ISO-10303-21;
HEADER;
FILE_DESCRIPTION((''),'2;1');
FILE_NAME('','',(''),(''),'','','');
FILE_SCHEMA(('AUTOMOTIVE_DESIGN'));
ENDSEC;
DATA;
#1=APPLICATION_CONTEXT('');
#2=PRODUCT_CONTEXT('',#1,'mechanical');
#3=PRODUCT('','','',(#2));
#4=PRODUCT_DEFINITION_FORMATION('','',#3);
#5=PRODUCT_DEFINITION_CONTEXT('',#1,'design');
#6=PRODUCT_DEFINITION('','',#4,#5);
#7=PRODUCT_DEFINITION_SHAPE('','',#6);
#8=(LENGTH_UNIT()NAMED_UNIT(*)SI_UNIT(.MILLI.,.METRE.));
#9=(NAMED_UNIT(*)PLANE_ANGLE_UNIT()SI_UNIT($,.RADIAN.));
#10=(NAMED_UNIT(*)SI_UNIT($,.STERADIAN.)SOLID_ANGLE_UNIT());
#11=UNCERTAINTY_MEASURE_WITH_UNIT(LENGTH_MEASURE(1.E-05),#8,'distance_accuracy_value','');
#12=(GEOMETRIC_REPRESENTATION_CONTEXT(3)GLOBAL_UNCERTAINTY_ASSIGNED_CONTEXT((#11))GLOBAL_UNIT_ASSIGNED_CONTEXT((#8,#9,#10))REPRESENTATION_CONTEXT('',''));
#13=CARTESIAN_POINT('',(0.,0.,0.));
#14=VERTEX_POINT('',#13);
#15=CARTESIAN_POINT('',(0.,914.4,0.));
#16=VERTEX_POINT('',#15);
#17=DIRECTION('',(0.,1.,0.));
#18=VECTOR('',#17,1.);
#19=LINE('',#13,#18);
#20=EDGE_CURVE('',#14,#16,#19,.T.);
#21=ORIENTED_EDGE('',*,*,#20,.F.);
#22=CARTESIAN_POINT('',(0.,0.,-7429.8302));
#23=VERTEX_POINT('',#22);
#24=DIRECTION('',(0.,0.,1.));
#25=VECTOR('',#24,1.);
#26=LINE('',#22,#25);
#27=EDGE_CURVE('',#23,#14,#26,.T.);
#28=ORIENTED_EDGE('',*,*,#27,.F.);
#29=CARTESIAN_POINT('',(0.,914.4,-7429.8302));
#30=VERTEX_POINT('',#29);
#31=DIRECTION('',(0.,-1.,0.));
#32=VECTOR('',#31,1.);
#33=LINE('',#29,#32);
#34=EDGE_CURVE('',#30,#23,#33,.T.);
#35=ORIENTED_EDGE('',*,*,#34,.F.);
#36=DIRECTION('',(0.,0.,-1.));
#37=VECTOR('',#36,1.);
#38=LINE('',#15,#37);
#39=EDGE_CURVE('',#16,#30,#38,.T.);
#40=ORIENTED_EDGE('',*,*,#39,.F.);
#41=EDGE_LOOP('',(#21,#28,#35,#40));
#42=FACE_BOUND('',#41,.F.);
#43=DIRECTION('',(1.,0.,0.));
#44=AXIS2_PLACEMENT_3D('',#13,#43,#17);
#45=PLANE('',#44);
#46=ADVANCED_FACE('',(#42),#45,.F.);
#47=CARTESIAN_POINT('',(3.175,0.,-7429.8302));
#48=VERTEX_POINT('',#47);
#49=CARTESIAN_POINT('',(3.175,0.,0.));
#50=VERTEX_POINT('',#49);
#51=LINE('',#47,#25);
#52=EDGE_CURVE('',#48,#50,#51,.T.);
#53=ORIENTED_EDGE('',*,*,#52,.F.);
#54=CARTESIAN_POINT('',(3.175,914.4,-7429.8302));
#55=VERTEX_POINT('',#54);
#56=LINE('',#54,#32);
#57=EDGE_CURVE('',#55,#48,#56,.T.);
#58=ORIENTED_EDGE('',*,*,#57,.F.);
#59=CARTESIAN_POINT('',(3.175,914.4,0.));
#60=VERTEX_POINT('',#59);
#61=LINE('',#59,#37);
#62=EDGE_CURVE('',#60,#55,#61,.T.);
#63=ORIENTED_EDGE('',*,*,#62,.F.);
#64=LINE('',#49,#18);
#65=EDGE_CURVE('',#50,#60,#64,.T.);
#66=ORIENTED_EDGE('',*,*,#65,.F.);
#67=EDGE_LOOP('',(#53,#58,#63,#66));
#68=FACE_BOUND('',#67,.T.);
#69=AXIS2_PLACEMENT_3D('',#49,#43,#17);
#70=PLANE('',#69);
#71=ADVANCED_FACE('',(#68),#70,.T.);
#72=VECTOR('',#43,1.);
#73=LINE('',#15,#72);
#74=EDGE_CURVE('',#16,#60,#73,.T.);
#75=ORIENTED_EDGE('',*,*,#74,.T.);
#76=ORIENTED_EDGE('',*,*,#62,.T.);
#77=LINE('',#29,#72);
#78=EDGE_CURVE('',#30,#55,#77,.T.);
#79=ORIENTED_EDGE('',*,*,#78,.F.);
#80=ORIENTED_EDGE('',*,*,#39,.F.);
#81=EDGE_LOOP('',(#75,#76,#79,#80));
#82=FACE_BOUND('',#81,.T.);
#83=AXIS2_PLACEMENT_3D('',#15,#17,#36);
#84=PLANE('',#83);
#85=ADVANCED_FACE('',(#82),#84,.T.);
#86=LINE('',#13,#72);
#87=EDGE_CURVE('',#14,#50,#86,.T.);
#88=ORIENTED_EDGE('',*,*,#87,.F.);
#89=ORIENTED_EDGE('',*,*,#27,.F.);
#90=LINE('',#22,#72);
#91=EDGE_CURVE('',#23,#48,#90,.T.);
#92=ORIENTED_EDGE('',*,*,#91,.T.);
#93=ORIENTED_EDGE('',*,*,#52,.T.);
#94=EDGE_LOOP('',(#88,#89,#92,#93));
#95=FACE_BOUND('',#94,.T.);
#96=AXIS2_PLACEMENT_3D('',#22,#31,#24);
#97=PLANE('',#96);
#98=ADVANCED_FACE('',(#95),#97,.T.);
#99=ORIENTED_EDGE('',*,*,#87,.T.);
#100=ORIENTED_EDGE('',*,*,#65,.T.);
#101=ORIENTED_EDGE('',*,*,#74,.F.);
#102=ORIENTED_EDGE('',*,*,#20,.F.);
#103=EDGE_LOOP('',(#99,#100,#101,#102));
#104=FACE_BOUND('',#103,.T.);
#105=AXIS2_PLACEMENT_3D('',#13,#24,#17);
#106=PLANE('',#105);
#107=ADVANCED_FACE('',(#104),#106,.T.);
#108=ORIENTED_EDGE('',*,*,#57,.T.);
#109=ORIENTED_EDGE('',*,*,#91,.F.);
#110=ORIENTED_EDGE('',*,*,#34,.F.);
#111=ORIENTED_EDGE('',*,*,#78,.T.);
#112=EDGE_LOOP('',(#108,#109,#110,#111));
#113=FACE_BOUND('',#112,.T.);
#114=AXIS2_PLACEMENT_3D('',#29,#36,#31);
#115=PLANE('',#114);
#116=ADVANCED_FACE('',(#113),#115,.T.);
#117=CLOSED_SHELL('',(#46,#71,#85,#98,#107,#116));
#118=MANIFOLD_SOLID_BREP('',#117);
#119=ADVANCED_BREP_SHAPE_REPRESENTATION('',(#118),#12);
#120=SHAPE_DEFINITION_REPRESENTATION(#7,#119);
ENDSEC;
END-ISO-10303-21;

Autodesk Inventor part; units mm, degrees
ref_plane "YZ Plane" through (0, 0, 0) normal (1, 0, 0) x (0, 1, 0)
ref_plane "XZ Plane" through (0, 0, 0) normal (0, 1, 0) x (-1, 0, 0)
ref_plane "XY Plane" through (0, 0, 0) normal (0, 0, 1) x (1, 0, 0)
sketch "Sketch1" plane through (0, 0, 0) normal (1, 0, 0) x (0, 1, 0)
  line L0 (0, 0) -> (914.4, 0)
  line L1 (914.4, 0) -> (914.4, -7429.8302)
  line L2 (914.4, -7429.8302) -> (0, -7429.8302)
  line L3 (0, -7429.8302) -> (0, 0)
  dimension "d4" = 7429.8302
  dimension "d5" = 914.4
extrude "Extrusion1" add sketch "Sketch1" along normal blind 3.175
properties part number "Leak_Barrier"
